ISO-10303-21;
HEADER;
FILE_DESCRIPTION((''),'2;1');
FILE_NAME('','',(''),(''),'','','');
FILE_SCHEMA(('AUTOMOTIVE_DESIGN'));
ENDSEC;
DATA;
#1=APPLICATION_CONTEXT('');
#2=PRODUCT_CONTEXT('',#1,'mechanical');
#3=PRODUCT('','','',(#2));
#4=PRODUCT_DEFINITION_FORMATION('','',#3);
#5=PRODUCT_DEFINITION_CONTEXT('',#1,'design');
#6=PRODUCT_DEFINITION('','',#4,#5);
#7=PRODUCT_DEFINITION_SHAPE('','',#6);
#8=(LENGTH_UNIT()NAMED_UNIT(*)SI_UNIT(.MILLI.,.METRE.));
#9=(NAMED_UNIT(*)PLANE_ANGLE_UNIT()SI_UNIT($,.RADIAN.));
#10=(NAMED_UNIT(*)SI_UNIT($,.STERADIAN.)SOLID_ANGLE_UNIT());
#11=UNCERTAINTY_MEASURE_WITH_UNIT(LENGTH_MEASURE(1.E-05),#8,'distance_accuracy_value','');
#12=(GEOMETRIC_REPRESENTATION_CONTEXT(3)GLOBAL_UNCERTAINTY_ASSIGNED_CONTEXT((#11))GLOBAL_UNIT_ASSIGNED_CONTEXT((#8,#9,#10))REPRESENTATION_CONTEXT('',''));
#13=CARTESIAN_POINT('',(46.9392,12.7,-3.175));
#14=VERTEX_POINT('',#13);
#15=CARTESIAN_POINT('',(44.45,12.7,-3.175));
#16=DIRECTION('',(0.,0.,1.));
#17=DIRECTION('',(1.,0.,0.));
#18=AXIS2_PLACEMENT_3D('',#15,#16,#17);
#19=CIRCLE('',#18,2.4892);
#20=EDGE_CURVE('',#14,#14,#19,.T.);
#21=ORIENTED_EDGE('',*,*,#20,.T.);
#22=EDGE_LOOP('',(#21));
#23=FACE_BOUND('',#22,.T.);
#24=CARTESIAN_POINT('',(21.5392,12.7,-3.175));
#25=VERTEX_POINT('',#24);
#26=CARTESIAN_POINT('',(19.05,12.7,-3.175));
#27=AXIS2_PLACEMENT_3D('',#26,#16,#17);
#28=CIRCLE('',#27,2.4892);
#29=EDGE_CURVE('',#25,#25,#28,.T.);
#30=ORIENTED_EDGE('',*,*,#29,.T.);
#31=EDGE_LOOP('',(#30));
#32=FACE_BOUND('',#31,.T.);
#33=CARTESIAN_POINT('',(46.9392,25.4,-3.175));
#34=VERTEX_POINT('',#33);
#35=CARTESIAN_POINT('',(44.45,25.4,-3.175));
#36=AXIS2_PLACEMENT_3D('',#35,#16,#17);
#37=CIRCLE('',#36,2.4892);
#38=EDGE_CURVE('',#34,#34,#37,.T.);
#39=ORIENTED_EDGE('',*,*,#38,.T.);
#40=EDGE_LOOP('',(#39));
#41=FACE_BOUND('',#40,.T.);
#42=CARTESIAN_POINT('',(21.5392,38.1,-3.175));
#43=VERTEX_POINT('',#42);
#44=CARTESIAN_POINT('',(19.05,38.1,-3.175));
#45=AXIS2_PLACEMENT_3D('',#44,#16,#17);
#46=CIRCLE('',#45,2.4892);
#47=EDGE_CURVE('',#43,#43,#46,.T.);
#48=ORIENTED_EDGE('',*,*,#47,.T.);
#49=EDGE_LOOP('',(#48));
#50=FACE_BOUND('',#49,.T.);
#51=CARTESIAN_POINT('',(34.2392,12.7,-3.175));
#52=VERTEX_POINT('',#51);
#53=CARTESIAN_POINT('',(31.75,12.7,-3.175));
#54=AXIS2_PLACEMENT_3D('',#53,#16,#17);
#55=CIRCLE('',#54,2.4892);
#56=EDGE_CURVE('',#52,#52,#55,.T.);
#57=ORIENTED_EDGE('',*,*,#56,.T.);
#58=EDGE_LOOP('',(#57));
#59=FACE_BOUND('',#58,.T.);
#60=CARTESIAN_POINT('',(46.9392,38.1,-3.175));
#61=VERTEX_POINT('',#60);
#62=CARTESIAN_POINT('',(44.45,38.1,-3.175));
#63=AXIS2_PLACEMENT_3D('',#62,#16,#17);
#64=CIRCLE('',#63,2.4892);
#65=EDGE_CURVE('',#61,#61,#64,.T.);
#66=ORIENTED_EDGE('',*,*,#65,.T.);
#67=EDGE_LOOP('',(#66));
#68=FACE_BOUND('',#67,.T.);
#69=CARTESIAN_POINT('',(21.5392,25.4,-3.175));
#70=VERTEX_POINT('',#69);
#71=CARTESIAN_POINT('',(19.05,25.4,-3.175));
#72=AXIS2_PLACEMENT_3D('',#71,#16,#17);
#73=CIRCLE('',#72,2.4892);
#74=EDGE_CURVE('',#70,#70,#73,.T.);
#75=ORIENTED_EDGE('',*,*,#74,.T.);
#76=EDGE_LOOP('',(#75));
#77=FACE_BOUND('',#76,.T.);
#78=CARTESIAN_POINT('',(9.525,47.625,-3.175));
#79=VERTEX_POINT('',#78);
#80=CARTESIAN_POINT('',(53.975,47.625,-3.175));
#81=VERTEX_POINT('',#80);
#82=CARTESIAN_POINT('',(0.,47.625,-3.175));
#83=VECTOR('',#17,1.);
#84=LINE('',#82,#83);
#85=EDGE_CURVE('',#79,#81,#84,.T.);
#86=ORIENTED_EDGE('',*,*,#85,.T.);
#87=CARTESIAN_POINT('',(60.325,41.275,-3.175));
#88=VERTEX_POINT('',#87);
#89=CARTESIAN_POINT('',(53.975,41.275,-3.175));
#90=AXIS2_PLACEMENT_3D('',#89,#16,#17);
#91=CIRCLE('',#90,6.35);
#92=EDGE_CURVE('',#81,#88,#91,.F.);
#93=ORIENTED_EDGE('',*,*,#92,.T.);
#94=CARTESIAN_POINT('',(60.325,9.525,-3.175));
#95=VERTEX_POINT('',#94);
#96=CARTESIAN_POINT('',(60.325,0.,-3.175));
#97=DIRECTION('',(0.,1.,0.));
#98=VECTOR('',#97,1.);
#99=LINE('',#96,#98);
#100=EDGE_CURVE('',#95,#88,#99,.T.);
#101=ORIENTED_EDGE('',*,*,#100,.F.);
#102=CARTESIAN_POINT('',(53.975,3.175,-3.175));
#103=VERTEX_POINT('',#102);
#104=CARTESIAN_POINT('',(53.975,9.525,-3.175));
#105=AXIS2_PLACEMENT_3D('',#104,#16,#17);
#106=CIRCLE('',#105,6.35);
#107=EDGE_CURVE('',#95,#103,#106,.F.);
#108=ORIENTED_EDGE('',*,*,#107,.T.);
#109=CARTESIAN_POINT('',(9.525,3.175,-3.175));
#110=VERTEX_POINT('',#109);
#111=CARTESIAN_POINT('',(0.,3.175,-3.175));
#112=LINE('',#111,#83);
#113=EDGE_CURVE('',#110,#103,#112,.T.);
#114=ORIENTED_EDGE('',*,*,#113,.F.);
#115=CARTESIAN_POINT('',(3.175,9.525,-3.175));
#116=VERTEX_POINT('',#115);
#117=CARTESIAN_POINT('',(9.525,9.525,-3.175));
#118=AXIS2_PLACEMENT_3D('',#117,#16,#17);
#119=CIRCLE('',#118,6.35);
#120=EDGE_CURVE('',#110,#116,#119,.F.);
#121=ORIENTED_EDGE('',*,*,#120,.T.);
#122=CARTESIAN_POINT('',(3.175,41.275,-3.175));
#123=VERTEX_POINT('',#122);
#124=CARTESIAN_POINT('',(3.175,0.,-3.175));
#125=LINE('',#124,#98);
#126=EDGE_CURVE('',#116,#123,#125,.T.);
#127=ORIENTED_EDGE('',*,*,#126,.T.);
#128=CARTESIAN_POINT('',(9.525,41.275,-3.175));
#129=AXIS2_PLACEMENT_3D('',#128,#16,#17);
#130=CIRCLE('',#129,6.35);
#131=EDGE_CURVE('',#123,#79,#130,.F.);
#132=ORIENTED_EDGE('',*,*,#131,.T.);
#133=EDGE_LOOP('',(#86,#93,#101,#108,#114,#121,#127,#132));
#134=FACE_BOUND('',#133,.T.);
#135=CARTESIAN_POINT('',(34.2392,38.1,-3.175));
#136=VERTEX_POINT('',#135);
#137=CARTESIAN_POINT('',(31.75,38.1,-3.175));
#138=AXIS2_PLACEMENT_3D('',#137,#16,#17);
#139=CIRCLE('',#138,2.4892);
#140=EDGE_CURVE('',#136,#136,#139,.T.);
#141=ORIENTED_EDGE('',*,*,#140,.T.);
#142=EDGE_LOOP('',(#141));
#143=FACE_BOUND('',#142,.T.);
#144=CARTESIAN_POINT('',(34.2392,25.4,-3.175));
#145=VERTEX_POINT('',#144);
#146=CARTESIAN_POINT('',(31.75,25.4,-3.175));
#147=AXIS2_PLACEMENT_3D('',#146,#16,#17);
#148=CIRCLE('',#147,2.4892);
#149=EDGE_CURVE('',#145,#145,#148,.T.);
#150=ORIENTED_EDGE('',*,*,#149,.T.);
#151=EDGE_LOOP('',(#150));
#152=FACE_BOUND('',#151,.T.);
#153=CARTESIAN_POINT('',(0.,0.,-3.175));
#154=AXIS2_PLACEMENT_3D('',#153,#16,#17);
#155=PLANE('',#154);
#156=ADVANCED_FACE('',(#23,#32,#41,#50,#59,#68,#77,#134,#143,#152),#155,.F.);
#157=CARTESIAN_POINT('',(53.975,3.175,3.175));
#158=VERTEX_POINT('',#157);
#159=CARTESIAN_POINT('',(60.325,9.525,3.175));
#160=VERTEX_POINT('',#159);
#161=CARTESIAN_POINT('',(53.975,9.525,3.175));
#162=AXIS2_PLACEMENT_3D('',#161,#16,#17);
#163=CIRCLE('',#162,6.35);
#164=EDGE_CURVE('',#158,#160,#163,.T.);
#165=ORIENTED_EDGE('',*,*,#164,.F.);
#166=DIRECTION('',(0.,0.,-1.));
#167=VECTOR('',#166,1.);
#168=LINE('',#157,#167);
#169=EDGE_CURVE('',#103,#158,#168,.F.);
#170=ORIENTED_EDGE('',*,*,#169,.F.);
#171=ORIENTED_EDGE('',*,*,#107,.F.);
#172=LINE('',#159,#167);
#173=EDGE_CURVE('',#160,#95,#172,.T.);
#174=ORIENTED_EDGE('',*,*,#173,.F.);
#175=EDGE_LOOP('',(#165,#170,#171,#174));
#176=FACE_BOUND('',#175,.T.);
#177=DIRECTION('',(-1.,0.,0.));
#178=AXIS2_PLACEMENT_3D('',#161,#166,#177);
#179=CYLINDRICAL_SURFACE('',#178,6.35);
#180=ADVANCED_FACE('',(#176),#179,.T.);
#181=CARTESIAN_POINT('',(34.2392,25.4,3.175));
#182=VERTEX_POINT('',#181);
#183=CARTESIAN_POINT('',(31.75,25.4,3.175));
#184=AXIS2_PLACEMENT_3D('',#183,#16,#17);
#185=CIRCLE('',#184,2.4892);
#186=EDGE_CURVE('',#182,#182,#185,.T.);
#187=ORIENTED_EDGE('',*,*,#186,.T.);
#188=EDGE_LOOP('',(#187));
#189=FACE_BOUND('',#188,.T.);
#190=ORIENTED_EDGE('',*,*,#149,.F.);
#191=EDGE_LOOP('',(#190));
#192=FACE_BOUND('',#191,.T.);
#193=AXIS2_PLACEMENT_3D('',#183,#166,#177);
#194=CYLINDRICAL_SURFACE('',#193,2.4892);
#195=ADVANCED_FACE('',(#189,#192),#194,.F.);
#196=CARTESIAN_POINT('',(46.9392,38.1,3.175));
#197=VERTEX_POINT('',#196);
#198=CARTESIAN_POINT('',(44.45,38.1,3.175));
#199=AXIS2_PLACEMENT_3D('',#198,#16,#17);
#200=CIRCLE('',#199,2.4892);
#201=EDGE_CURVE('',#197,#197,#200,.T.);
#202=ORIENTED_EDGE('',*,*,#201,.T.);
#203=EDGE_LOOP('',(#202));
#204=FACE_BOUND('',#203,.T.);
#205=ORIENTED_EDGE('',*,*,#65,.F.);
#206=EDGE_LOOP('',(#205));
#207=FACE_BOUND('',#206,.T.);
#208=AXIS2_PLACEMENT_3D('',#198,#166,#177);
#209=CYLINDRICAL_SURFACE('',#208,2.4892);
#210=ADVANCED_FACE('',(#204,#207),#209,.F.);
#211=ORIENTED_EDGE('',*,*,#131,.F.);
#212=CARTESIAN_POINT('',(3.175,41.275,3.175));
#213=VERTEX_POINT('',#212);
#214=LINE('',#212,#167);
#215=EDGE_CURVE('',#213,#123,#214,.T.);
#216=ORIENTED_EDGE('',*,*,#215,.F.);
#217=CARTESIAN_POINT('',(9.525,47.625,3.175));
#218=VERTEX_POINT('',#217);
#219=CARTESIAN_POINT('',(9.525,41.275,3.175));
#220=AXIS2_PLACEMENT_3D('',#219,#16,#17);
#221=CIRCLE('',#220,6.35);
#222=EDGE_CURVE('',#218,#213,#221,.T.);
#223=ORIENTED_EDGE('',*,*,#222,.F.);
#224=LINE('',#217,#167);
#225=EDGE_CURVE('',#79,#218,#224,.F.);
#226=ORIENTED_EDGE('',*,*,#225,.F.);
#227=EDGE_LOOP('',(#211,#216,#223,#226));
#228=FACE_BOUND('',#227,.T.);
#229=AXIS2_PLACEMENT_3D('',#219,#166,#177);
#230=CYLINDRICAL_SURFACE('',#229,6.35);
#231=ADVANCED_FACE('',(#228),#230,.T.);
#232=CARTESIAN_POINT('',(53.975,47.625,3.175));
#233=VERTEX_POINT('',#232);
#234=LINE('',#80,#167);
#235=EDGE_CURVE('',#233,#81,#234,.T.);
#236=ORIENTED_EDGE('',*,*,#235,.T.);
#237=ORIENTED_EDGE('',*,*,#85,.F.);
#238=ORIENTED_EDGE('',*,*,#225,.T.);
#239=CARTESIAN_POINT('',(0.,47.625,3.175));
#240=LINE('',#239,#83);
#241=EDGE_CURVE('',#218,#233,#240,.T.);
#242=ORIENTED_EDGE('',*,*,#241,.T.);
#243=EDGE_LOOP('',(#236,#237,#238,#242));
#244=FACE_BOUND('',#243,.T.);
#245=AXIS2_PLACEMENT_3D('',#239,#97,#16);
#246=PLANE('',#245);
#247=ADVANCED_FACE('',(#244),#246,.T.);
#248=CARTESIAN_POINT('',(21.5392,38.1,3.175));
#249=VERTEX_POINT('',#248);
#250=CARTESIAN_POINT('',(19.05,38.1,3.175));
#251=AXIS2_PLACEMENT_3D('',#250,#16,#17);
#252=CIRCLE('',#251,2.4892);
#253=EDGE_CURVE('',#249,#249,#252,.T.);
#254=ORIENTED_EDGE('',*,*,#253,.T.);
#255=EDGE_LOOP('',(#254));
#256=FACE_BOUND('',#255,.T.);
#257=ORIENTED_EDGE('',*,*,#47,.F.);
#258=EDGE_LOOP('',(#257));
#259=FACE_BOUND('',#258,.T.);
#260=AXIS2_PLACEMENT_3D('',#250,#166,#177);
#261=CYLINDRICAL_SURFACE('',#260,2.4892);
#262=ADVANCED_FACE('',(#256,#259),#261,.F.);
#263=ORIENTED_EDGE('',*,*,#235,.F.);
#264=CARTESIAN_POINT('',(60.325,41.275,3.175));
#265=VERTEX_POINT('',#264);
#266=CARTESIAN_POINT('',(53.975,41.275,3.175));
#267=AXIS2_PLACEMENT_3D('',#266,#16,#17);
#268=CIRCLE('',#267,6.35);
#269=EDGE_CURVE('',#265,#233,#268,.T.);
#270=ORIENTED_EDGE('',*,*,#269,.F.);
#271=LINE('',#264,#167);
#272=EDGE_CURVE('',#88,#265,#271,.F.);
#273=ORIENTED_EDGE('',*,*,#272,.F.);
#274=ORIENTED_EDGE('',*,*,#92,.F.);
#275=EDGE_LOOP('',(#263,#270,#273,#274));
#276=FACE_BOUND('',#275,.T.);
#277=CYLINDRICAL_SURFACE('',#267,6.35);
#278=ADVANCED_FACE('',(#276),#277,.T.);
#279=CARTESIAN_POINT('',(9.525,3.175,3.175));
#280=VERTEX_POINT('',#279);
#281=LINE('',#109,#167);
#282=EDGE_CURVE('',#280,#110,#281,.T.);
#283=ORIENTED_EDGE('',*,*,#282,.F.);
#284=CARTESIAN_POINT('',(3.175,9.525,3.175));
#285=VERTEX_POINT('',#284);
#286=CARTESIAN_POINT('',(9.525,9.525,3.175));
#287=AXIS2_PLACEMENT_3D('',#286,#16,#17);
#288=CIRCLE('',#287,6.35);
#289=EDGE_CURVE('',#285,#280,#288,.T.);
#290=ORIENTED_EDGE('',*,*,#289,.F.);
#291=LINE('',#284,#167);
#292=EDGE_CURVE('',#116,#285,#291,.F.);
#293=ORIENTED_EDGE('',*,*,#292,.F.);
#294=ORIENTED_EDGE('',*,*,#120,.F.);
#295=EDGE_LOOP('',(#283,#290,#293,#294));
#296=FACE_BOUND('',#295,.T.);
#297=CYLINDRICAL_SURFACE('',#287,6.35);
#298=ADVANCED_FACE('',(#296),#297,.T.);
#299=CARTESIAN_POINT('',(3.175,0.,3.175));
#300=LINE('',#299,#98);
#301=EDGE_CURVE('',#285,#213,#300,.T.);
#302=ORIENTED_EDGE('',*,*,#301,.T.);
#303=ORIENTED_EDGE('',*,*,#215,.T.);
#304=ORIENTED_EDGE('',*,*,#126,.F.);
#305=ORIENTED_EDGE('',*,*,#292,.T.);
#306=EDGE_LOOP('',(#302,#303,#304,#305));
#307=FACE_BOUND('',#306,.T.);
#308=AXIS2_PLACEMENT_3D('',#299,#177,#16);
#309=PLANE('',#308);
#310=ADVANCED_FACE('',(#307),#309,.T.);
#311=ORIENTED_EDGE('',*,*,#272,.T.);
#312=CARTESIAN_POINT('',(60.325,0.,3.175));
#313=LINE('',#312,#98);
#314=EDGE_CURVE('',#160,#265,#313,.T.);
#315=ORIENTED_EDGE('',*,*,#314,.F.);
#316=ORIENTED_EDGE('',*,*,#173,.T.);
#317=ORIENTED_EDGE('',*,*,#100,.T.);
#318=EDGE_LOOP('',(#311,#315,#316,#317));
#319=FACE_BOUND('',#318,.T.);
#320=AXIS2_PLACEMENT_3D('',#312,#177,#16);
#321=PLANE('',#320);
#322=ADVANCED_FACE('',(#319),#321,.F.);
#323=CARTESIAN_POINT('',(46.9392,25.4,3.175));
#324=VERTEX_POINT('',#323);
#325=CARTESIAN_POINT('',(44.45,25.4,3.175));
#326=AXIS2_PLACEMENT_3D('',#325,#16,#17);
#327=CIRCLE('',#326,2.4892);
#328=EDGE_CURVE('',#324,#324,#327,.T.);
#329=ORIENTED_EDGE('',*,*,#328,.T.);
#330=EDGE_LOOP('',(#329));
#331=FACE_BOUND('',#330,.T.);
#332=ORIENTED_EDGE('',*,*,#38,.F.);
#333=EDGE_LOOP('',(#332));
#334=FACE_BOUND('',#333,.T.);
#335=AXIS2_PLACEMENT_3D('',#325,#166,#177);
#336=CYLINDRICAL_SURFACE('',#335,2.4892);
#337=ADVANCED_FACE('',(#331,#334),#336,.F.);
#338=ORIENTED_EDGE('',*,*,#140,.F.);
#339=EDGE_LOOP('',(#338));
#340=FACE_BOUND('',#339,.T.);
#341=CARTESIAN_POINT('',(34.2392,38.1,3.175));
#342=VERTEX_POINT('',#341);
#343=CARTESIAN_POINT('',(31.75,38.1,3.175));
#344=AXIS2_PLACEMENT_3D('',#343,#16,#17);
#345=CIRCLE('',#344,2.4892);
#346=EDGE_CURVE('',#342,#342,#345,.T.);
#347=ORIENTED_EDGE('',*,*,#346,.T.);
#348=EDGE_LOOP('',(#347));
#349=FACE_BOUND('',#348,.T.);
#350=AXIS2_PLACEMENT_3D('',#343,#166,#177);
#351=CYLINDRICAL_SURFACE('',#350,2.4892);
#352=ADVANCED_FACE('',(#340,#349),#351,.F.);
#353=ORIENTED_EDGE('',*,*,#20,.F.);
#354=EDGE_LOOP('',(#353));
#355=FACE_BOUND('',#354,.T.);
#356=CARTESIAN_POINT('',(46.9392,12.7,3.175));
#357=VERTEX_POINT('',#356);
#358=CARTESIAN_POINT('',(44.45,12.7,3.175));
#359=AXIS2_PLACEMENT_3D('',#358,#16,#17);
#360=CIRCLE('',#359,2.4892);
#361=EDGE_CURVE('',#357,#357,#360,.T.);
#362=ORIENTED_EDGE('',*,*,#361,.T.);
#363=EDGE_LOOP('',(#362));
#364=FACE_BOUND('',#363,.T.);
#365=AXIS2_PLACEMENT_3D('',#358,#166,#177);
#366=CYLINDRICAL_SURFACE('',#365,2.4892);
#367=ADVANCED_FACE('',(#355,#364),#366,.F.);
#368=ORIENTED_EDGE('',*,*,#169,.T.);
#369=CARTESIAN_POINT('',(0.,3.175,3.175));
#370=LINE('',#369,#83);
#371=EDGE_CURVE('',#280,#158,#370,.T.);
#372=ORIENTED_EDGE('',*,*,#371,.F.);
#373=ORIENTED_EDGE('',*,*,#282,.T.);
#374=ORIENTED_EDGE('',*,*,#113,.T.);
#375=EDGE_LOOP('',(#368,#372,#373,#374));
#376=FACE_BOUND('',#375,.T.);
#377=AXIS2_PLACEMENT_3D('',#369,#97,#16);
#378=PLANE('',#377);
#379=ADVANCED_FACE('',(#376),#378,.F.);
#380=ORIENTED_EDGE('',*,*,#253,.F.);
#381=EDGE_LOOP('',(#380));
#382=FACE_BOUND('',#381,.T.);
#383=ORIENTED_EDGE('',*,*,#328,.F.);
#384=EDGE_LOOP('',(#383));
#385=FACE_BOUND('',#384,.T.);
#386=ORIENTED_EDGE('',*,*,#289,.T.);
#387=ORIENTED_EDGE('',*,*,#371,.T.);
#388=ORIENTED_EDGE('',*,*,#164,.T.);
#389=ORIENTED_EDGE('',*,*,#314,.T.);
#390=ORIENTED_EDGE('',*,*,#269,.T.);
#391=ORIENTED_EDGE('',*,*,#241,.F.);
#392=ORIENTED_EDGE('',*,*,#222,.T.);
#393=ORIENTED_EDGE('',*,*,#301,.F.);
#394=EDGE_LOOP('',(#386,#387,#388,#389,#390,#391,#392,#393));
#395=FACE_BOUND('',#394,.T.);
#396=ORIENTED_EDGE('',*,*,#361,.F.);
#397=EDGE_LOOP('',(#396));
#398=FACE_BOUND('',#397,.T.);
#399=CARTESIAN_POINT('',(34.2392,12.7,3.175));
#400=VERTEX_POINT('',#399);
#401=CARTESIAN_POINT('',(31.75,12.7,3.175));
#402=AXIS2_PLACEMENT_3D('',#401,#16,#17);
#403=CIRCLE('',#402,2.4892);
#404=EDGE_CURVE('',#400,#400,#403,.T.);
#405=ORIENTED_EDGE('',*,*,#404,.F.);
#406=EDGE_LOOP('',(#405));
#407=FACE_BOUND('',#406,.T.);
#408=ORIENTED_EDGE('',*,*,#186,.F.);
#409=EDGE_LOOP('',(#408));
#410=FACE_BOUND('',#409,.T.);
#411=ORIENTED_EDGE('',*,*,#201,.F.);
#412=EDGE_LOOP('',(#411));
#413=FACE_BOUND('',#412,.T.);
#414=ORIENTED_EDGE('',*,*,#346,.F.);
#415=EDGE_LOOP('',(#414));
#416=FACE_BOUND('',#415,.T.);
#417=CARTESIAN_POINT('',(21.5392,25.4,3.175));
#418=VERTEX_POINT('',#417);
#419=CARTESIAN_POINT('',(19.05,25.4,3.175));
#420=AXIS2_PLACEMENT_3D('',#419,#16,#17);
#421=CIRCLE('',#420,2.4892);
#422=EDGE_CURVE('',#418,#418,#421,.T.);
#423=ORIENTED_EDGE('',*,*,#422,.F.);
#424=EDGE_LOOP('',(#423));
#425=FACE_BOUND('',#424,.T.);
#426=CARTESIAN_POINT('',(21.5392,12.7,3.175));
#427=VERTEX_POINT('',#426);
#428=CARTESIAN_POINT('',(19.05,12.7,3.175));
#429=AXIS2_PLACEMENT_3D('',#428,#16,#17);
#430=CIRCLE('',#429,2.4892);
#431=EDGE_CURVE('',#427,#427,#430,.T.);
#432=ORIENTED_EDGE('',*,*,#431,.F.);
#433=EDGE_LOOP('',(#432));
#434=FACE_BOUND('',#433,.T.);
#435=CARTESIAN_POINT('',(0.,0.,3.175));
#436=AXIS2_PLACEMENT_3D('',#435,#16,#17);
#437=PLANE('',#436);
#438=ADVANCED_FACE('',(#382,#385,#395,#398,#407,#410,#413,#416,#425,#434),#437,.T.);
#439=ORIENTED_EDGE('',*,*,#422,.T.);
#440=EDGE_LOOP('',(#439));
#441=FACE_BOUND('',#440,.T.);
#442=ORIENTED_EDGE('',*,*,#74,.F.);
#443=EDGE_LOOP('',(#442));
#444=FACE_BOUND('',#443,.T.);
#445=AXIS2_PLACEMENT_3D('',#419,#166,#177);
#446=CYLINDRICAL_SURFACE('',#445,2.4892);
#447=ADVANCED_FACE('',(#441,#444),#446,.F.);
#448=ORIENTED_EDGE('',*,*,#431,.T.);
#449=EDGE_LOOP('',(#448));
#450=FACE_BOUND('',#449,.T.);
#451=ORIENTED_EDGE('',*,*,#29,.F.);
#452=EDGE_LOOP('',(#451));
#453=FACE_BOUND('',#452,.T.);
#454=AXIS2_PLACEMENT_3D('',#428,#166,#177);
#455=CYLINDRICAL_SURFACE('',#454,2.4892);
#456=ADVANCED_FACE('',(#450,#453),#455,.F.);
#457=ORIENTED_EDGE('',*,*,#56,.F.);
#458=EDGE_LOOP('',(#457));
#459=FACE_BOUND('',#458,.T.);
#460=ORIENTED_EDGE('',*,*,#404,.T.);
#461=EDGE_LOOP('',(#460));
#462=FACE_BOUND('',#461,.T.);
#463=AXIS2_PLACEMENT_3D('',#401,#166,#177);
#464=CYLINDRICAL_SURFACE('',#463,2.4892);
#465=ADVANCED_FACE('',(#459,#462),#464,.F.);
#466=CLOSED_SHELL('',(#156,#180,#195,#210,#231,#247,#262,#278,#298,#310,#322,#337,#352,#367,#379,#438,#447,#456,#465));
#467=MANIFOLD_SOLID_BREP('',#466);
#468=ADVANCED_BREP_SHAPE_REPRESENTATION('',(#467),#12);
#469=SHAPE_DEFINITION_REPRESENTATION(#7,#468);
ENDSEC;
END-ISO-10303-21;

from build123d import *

# Parameters (mm, degrees)
SKETCH1_R           = 2.4892
BOSS_EXTRUDE1_DEPTH = 3.175
FILLET1_R           = 6.35


with BuildPart() as part:
    # Sketch1 → Boss-Extrude1 (new, symmetric)
    # profile 1 of 2: a face of its own
    with BuildSketch(Plane.XY):
        with BuildLine():
            Line((60.325, 47.625), (31.75, 47.625))
            Line((31.75, 47.625), (31.75, 40.5892))
            ThreePointArc((31.75, 40.5892), (33.5101302, 39.8601302), (34.2392, 38.1))
            ThreePointArc((34.2392, 38.1), (33.5101302, 36.3398698), (31.75, 35.6108))
            Line((31.75, 35.6108), (31.75, 27.8892))
            ThreePointArc((31.75, 27.8892), (33.5101302, 27.1601302), (34.2392, 25.4))
            ThreePointArc((34.2392, 25.4), (33.5101302, 23.6398698), (31.75, 22.9108))
            Line((31.75, 22.9108), (31.75, 15.1892))
            ThreePointArc((31.75, 15.1892), (33.5101302, 14.4601302), (34.2392, 12.7))
            ThreePointArc((34.2392, 12.7), (33.5101302, 10.9398698), (31.75, 10.2108))
            Line((31.75, 10.2108), (31.75, 3.175))
            Line((31.75, 3.175), (60.325, 3.175))
            Line((60.325, 3.175), (60.325, 47.625))
        make_face()
        with Locations((44.45, 12.7)):
            Circle(SKETCH1_R, mode=Mode.SUBTRACT)
        with Locations((44.45, 25.4)):
            Circle(SKETCH1_R, mode=Mode.SUBTRACT)
        with Locations((44.45, 38.1)):
            Circle(SKETCH1_R, mode=Mode.SUBTRACT)
    # profile 2 of 2: a face of its own
    with BuildSketch(Plane.XY):
        with BuildLine():
            Line((31.75, 40.5892), (31.75, 47.625))
            Line((31.75, 47.625), (3.175, 47.625))
            Line((3.175, 47.625), (3.175, 3.175))
            Line((3.175, 3.175), (31.75, 3.175))
            Line((31.75, 3.175), (31.75, 10.2108))
            ThreePointArc((31.75, 10.2108), (29.2608, 12.7), (31.75, 15.1892))
            Line((31.75, 15.1892), (31.75, 22.9108))
            ThreePointArc((31.75, 22.9108), (29.2608, 25.4), (31.75, 27.8892))
            Line((31.75, 27.8892), (31.75, 35.6108))
            ThreePointArc((31.75, 35.6108), (29.2608, 38.1), (31.75, 40.5892))
        make_face()
        with Locations((19.05, 12.7)):
            Circle(SKETCH1_R, mode=Mode.SUBTRACT)
        with Locations((19.05, 25.4)):
            Circle(SKETCH1_R, mode=Mode.SUBTRACT)
        with Locations((19.05, 38.1)):
            Circle(SKETCH1_R, mode=Mode.SUBTRACT)
    extrude(amount=BOSS_EXTRUDE1_DEPTH, both=True)

    # Fillet1
    fillet1_edges = [part.edges().sort_by_distance(p)[0] for p in [
        (60.325, 47.625, 0),
        (60.325, 3.175, 0),
        (3.175, 3.175, 0),
        (3.175, 47.625, 0),
    ]]
    fillet(fillet1_edges, radius=FILLET1_R)


solid = part.part
